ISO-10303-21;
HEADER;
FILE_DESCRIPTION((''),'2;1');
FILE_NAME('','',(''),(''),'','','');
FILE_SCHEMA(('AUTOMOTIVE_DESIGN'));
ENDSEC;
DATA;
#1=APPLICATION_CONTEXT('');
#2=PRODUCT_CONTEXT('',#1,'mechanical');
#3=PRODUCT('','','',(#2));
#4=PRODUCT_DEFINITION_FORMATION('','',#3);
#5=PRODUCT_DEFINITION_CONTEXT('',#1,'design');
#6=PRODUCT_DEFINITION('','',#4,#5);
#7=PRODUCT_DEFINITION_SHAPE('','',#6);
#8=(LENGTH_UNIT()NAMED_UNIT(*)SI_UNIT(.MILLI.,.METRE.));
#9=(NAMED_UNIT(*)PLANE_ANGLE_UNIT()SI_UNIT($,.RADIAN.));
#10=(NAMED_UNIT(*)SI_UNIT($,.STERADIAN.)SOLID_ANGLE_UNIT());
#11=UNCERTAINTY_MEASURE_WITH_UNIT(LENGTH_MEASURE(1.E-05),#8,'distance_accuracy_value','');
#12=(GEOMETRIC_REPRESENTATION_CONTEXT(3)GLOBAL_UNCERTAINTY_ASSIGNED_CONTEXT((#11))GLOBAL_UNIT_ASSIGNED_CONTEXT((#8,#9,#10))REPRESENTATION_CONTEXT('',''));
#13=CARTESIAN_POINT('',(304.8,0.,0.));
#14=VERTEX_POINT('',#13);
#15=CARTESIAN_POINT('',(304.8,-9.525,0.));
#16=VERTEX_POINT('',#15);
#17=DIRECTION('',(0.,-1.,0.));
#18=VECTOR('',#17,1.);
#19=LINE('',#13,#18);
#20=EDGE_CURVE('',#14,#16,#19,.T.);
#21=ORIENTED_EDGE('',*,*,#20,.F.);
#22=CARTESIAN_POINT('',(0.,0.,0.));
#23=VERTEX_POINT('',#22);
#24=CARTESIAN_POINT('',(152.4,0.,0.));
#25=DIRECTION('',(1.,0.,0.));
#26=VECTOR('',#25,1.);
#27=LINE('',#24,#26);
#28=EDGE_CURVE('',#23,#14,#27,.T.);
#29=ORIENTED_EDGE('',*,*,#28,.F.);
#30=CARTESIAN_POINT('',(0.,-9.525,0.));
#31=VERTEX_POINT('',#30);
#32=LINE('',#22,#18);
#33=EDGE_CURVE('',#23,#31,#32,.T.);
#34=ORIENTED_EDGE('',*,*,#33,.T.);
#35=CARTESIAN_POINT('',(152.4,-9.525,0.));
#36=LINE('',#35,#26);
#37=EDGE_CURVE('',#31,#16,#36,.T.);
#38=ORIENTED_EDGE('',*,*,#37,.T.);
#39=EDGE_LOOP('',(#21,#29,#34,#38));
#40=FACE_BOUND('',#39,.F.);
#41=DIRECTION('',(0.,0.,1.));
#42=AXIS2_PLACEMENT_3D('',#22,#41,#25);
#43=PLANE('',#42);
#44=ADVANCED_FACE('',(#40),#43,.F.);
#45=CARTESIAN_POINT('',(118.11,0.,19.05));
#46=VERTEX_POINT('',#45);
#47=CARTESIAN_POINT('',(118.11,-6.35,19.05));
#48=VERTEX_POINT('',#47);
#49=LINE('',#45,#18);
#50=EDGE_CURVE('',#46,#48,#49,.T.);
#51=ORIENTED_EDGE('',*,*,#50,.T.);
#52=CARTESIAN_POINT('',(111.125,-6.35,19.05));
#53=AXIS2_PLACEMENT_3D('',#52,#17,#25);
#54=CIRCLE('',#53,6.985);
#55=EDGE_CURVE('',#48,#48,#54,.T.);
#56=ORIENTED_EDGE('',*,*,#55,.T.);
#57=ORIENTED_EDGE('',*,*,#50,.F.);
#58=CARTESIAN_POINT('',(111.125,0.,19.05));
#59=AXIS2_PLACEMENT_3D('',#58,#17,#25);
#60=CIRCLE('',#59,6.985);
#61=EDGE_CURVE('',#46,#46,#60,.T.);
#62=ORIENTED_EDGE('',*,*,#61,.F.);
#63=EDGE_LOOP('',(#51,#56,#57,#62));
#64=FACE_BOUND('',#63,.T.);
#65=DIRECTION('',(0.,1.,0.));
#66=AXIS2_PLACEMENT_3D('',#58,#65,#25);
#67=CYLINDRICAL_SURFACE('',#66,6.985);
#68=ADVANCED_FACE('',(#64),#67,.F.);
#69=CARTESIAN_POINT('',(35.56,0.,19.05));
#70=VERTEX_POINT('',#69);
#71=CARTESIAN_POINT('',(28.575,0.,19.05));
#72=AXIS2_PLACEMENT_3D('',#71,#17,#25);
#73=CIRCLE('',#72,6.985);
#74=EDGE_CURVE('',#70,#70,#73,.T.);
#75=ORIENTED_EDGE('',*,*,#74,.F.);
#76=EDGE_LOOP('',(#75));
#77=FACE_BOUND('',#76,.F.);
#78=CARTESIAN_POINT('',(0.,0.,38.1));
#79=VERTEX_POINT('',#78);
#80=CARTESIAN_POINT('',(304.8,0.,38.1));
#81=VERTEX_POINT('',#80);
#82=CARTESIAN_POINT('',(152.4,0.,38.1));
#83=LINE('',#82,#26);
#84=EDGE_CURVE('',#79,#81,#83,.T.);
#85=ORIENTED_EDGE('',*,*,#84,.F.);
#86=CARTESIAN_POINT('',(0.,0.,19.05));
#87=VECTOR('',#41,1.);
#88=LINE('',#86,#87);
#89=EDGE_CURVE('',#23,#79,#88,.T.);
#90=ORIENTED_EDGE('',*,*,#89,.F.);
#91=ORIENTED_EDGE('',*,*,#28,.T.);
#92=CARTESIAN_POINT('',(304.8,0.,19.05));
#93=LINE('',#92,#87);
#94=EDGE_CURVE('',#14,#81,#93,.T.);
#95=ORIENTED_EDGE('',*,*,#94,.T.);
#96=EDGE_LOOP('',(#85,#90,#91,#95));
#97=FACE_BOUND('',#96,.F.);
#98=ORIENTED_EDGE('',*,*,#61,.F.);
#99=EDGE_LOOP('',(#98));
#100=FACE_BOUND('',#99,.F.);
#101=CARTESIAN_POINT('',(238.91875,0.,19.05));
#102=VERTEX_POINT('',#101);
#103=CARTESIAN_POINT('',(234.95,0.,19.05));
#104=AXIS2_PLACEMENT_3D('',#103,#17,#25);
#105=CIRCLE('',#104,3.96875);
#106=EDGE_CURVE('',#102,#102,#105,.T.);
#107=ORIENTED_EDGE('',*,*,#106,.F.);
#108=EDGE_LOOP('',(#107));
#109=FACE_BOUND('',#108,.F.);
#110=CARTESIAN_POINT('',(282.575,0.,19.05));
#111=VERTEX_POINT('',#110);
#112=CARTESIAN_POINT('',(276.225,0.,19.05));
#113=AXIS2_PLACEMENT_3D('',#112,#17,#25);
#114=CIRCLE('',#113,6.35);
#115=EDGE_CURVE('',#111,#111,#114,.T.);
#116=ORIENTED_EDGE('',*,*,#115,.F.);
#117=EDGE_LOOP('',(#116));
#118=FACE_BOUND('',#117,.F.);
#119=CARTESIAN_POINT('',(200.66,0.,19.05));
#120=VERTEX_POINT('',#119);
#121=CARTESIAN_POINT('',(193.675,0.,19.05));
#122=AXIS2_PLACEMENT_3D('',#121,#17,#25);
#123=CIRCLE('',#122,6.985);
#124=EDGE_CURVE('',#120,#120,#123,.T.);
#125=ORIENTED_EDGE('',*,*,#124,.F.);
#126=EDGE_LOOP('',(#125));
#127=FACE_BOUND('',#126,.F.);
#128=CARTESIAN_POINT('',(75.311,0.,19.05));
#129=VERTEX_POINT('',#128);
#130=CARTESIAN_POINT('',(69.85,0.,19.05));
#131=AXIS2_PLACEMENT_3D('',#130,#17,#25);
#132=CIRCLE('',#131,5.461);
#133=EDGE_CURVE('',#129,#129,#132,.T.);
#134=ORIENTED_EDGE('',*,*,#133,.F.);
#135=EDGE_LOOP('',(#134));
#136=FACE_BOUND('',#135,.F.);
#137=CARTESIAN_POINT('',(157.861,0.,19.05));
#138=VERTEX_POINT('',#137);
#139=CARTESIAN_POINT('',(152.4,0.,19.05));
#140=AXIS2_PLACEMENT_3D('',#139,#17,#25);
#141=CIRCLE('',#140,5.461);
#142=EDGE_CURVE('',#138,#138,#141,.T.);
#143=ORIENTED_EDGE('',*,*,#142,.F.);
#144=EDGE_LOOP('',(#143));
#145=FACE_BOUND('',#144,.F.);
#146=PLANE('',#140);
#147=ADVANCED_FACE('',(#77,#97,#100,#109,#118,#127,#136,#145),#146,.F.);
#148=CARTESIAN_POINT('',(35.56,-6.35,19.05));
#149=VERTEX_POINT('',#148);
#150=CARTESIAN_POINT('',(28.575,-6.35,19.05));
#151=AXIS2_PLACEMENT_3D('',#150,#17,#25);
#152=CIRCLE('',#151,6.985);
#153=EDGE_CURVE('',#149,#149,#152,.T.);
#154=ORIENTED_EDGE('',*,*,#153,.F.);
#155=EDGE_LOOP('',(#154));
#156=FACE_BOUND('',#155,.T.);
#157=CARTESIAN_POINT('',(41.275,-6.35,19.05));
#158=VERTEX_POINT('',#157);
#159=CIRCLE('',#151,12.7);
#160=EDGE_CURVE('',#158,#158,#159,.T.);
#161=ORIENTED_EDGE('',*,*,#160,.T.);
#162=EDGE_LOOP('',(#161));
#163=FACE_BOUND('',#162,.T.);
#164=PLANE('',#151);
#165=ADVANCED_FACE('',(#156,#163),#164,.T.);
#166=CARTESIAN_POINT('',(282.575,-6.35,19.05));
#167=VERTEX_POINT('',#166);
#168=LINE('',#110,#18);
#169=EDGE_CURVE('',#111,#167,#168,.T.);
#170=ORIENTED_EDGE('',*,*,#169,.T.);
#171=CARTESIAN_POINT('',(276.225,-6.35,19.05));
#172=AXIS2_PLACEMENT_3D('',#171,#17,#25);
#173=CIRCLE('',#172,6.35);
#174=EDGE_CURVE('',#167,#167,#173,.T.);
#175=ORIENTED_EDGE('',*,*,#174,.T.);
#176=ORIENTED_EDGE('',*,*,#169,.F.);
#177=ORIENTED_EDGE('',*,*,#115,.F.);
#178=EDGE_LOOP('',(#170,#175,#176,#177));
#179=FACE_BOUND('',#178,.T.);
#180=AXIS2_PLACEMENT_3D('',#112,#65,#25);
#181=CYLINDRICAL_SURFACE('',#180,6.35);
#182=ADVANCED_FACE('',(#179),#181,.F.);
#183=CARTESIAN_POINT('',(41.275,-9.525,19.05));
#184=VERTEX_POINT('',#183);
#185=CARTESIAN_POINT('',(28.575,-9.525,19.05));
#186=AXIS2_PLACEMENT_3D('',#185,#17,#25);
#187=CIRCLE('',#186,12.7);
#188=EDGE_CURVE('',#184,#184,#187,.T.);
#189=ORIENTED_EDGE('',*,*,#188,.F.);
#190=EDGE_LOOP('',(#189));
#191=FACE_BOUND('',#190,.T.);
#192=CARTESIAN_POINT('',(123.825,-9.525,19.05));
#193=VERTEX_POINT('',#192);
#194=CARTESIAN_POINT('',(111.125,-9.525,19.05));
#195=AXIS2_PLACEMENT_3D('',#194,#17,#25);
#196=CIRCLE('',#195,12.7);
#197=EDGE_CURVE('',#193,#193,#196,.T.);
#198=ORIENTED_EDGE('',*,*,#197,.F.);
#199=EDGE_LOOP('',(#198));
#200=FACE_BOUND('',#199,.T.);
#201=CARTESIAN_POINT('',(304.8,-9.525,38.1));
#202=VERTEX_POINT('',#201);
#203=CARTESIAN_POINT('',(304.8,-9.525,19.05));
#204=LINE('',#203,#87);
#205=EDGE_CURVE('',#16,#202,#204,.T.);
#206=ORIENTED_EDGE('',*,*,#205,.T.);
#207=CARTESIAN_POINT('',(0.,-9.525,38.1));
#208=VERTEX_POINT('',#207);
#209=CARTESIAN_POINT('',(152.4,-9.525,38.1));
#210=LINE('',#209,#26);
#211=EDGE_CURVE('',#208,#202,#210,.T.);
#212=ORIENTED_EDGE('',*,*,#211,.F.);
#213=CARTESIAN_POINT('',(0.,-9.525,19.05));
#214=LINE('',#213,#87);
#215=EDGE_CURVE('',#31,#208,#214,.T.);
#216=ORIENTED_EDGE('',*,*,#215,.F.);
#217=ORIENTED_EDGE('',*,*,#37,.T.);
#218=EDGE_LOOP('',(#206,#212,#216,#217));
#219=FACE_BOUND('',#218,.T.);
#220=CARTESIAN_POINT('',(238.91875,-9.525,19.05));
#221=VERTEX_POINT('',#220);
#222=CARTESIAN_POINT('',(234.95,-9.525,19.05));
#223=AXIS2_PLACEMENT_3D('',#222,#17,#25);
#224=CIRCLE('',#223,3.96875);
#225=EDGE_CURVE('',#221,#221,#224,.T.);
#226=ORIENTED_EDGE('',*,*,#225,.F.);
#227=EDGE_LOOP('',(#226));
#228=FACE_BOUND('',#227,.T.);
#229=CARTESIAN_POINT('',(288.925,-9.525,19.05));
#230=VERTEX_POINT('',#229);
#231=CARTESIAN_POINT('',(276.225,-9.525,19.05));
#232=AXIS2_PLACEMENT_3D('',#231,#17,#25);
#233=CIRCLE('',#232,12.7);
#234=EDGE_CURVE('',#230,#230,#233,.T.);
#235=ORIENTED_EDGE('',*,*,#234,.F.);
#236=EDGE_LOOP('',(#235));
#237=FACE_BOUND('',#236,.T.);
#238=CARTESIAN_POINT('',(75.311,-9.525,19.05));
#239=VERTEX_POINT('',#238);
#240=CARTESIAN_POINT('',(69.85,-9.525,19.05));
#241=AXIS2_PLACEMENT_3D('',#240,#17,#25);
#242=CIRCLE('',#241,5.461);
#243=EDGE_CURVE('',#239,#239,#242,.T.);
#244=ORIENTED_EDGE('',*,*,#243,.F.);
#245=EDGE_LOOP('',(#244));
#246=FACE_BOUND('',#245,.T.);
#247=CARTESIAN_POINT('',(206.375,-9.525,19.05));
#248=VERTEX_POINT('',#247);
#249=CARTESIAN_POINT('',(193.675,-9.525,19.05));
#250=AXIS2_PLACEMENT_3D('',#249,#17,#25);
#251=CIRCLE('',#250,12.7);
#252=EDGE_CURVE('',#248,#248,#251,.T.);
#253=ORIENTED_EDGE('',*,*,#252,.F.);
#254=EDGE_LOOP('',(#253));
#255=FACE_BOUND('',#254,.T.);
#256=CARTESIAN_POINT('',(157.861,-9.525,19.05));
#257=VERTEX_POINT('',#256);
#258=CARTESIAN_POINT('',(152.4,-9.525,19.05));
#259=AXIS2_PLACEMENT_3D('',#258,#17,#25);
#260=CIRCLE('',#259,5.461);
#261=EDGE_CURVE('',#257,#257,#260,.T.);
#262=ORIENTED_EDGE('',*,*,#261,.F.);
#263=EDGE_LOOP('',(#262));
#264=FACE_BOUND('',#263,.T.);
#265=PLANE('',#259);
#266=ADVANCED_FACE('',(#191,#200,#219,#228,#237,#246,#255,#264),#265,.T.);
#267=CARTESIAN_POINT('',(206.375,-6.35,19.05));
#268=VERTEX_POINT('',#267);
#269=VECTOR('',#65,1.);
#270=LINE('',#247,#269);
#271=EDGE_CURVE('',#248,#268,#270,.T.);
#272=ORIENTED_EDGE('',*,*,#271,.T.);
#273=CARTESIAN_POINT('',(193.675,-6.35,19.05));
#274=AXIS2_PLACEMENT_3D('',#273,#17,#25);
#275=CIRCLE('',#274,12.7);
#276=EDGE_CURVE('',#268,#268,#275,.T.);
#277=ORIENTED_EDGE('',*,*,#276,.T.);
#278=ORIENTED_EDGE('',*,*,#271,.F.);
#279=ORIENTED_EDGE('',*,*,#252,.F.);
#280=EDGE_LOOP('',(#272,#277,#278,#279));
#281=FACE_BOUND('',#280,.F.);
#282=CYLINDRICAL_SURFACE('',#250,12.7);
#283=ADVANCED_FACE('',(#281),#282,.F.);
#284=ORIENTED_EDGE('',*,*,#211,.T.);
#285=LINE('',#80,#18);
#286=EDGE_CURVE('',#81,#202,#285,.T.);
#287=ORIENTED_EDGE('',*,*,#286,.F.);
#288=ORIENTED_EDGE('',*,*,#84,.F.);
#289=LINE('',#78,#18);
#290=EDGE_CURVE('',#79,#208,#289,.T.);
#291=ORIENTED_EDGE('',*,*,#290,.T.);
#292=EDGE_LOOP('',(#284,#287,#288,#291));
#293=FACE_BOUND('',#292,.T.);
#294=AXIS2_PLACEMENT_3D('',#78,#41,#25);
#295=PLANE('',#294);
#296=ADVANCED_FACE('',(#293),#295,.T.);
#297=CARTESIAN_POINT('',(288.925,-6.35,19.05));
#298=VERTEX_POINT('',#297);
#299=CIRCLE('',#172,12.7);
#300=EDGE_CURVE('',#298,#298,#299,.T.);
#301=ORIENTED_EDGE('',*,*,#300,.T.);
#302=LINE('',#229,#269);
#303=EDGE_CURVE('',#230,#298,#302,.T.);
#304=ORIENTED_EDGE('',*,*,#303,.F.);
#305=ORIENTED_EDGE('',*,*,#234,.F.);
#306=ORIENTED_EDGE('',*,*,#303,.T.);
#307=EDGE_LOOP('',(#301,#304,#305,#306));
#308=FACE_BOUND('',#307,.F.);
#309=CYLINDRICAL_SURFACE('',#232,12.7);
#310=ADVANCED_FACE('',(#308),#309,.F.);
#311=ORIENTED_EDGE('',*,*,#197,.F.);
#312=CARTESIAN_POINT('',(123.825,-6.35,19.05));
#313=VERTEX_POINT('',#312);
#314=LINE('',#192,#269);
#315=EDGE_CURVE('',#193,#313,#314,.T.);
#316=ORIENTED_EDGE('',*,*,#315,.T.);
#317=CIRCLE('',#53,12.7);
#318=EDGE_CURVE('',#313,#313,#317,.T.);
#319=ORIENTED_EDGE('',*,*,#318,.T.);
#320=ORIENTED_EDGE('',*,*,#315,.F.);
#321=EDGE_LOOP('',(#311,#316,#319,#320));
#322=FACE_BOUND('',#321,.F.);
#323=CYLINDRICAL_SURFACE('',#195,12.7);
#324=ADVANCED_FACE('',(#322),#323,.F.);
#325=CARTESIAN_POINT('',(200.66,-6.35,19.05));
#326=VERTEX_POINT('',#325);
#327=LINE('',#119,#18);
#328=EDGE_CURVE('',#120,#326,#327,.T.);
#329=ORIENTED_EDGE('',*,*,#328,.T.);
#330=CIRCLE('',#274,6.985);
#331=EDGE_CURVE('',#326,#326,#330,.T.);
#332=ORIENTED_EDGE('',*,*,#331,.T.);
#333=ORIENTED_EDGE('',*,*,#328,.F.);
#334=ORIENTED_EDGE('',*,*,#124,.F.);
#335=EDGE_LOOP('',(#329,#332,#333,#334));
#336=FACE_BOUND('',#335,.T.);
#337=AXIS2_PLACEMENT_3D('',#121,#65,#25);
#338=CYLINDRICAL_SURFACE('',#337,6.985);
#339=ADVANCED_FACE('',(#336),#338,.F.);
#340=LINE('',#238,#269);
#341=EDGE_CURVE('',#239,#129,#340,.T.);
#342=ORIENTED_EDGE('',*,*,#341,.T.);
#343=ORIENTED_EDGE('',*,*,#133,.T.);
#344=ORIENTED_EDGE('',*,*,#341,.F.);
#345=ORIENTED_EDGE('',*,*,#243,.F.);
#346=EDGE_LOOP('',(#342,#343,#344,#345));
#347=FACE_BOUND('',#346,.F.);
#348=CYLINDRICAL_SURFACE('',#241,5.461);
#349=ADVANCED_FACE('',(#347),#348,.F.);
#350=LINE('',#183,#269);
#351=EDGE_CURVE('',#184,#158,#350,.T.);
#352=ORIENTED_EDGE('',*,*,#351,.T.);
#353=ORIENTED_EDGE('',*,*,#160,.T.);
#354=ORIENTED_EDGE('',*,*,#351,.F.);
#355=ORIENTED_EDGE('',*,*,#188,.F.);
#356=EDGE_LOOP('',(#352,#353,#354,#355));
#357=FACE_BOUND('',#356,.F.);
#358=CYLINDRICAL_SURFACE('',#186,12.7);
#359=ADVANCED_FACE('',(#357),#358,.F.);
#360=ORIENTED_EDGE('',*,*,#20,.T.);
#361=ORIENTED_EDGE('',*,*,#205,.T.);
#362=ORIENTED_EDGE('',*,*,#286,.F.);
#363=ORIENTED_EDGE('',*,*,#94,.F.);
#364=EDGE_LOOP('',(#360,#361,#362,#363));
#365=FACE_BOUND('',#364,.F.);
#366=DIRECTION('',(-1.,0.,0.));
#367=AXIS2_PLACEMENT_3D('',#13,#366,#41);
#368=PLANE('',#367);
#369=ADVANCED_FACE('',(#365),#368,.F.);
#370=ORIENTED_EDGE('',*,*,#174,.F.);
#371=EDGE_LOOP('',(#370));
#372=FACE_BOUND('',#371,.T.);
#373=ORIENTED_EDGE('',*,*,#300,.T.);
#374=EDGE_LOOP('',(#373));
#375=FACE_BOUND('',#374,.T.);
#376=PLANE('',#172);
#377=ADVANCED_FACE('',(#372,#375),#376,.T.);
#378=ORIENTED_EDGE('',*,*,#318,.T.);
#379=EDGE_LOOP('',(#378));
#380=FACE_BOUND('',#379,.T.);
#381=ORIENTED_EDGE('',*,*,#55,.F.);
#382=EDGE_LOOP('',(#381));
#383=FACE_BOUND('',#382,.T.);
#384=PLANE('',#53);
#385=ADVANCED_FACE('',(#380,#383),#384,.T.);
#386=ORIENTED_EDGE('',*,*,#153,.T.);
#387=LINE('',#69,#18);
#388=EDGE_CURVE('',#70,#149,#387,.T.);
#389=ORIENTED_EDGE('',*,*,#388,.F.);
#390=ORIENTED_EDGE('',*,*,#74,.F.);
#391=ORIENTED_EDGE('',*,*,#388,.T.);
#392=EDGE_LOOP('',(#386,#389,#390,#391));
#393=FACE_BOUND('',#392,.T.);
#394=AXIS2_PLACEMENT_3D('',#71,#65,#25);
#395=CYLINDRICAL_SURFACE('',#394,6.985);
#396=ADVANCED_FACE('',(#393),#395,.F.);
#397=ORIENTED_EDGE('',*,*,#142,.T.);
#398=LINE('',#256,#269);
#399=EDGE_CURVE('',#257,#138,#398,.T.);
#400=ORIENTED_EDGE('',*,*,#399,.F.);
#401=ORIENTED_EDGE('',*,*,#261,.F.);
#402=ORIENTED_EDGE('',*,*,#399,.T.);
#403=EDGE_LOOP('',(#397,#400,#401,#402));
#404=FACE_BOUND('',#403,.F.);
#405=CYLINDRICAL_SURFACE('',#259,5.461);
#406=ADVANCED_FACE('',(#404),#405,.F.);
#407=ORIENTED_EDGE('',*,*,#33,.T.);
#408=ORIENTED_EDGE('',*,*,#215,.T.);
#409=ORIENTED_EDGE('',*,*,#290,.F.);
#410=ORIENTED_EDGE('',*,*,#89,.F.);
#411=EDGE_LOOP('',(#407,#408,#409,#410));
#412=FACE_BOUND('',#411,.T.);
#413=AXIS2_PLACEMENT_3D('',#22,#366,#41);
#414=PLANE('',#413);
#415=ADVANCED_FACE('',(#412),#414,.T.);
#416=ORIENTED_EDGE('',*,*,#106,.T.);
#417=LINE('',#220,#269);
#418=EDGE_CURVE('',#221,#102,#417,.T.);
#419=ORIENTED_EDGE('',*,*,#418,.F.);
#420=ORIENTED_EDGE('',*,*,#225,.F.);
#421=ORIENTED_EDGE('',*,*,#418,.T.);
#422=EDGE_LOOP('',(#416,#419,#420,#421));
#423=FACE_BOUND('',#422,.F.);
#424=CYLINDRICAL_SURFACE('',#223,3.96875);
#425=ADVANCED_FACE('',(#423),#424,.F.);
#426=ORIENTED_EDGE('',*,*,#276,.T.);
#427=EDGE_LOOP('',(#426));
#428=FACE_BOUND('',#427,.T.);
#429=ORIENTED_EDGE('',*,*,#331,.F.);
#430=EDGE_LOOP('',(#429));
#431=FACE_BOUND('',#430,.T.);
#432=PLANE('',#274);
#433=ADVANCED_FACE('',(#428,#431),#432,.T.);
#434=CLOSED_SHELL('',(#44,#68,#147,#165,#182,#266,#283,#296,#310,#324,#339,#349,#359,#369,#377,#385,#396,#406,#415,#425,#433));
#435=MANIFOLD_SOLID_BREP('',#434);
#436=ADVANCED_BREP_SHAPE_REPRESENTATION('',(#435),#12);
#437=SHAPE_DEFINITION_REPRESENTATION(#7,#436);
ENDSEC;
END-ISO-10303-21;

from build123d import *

# Parameters (mm, degrees)
F0_W     = 304.8
F0_H     = 38.1
F0_R     = 6.985
F0_R_2   = 6.35
F1_DEPTH = 9.525
F2_R     = 5.461
F2_R_2   = 3.96875
F3_DEPTH = 9.526
F2_R_3   = 12.7
F2_R_4   = 6.985
F2_R_5   = 6.35
F4_DEPTH = 3.175


with BuildPart() as f1:
    # F0 (on Front) → F1 (new body)
    with BuildSketch(Plane.XZ):
        with Locations((152.4, 19.05)):
            Rectangle(F0_W, F0_H)
        with Locations((28.575, 19.05)):
            Circle(F0_R, mode=Mode.SUBTRACT)
        with Locations((111.125, 19.05)):
            Circle(F0_R, mode=Mode.SUBTRACT)
        with Locations((193.675, 19.05)):
            Circle(F0_R, mode=Mode.SUBTRACT)
        with Locations((276.225, 19.05)):
            Circle(F0_R_2, mode=Mode.SUBTRACT)
    extrude(amount=F1_DEPTH)

    # F2 (on face) → F3 (cut, through all)
    with BuildSketch(Plane.XZ.offset(9.525)):
        with Locations((69.85, 19.05)):
            Circle(F2_R)
        with Locations((152.4, 19.05)):
            Circle(F2_R)
        with Locations((234.95, 19.05)):
            Circle(F2_R_2)
    extrude(amount=-F3_DEPTH, mode=Mode.SUBTRACT)

    # F2 (on face) → F4 (cut)
    with BuildSketch(Plane.XZ.offset(9.525)):
        with Locations((28.575, 19.05)):
            Circle(F2_R_3)
        with Locations((28.575, 19.05)):
            Circle(F2_R_4, mode=Mode.SUBTRACT)
        with Locations((111.125, 19.05)):
            Circle(F2_R_3)
        with Locations((111.125, 19.05)):
            Circle(F2_R_4, mode=Mode.SUBTRACT)
        with Locations((193.675, 19.05)):
            Circle(F2_R_3)
        with Locations((193.675, 19.05)):
            Circle(F2_R_4, mode=Mode.SUBTRACT)
        with Locations((276.225, 19.05)):
            Circle(F2_R_3)
        with Locations((276.225, 19.05)):
            Circle(F2_R_5, mode=Mode.SUBTRACT)
    extrude(amount=-F4_DEPTH, mode=Mode.SUBTRACT)


solid = f1.part
